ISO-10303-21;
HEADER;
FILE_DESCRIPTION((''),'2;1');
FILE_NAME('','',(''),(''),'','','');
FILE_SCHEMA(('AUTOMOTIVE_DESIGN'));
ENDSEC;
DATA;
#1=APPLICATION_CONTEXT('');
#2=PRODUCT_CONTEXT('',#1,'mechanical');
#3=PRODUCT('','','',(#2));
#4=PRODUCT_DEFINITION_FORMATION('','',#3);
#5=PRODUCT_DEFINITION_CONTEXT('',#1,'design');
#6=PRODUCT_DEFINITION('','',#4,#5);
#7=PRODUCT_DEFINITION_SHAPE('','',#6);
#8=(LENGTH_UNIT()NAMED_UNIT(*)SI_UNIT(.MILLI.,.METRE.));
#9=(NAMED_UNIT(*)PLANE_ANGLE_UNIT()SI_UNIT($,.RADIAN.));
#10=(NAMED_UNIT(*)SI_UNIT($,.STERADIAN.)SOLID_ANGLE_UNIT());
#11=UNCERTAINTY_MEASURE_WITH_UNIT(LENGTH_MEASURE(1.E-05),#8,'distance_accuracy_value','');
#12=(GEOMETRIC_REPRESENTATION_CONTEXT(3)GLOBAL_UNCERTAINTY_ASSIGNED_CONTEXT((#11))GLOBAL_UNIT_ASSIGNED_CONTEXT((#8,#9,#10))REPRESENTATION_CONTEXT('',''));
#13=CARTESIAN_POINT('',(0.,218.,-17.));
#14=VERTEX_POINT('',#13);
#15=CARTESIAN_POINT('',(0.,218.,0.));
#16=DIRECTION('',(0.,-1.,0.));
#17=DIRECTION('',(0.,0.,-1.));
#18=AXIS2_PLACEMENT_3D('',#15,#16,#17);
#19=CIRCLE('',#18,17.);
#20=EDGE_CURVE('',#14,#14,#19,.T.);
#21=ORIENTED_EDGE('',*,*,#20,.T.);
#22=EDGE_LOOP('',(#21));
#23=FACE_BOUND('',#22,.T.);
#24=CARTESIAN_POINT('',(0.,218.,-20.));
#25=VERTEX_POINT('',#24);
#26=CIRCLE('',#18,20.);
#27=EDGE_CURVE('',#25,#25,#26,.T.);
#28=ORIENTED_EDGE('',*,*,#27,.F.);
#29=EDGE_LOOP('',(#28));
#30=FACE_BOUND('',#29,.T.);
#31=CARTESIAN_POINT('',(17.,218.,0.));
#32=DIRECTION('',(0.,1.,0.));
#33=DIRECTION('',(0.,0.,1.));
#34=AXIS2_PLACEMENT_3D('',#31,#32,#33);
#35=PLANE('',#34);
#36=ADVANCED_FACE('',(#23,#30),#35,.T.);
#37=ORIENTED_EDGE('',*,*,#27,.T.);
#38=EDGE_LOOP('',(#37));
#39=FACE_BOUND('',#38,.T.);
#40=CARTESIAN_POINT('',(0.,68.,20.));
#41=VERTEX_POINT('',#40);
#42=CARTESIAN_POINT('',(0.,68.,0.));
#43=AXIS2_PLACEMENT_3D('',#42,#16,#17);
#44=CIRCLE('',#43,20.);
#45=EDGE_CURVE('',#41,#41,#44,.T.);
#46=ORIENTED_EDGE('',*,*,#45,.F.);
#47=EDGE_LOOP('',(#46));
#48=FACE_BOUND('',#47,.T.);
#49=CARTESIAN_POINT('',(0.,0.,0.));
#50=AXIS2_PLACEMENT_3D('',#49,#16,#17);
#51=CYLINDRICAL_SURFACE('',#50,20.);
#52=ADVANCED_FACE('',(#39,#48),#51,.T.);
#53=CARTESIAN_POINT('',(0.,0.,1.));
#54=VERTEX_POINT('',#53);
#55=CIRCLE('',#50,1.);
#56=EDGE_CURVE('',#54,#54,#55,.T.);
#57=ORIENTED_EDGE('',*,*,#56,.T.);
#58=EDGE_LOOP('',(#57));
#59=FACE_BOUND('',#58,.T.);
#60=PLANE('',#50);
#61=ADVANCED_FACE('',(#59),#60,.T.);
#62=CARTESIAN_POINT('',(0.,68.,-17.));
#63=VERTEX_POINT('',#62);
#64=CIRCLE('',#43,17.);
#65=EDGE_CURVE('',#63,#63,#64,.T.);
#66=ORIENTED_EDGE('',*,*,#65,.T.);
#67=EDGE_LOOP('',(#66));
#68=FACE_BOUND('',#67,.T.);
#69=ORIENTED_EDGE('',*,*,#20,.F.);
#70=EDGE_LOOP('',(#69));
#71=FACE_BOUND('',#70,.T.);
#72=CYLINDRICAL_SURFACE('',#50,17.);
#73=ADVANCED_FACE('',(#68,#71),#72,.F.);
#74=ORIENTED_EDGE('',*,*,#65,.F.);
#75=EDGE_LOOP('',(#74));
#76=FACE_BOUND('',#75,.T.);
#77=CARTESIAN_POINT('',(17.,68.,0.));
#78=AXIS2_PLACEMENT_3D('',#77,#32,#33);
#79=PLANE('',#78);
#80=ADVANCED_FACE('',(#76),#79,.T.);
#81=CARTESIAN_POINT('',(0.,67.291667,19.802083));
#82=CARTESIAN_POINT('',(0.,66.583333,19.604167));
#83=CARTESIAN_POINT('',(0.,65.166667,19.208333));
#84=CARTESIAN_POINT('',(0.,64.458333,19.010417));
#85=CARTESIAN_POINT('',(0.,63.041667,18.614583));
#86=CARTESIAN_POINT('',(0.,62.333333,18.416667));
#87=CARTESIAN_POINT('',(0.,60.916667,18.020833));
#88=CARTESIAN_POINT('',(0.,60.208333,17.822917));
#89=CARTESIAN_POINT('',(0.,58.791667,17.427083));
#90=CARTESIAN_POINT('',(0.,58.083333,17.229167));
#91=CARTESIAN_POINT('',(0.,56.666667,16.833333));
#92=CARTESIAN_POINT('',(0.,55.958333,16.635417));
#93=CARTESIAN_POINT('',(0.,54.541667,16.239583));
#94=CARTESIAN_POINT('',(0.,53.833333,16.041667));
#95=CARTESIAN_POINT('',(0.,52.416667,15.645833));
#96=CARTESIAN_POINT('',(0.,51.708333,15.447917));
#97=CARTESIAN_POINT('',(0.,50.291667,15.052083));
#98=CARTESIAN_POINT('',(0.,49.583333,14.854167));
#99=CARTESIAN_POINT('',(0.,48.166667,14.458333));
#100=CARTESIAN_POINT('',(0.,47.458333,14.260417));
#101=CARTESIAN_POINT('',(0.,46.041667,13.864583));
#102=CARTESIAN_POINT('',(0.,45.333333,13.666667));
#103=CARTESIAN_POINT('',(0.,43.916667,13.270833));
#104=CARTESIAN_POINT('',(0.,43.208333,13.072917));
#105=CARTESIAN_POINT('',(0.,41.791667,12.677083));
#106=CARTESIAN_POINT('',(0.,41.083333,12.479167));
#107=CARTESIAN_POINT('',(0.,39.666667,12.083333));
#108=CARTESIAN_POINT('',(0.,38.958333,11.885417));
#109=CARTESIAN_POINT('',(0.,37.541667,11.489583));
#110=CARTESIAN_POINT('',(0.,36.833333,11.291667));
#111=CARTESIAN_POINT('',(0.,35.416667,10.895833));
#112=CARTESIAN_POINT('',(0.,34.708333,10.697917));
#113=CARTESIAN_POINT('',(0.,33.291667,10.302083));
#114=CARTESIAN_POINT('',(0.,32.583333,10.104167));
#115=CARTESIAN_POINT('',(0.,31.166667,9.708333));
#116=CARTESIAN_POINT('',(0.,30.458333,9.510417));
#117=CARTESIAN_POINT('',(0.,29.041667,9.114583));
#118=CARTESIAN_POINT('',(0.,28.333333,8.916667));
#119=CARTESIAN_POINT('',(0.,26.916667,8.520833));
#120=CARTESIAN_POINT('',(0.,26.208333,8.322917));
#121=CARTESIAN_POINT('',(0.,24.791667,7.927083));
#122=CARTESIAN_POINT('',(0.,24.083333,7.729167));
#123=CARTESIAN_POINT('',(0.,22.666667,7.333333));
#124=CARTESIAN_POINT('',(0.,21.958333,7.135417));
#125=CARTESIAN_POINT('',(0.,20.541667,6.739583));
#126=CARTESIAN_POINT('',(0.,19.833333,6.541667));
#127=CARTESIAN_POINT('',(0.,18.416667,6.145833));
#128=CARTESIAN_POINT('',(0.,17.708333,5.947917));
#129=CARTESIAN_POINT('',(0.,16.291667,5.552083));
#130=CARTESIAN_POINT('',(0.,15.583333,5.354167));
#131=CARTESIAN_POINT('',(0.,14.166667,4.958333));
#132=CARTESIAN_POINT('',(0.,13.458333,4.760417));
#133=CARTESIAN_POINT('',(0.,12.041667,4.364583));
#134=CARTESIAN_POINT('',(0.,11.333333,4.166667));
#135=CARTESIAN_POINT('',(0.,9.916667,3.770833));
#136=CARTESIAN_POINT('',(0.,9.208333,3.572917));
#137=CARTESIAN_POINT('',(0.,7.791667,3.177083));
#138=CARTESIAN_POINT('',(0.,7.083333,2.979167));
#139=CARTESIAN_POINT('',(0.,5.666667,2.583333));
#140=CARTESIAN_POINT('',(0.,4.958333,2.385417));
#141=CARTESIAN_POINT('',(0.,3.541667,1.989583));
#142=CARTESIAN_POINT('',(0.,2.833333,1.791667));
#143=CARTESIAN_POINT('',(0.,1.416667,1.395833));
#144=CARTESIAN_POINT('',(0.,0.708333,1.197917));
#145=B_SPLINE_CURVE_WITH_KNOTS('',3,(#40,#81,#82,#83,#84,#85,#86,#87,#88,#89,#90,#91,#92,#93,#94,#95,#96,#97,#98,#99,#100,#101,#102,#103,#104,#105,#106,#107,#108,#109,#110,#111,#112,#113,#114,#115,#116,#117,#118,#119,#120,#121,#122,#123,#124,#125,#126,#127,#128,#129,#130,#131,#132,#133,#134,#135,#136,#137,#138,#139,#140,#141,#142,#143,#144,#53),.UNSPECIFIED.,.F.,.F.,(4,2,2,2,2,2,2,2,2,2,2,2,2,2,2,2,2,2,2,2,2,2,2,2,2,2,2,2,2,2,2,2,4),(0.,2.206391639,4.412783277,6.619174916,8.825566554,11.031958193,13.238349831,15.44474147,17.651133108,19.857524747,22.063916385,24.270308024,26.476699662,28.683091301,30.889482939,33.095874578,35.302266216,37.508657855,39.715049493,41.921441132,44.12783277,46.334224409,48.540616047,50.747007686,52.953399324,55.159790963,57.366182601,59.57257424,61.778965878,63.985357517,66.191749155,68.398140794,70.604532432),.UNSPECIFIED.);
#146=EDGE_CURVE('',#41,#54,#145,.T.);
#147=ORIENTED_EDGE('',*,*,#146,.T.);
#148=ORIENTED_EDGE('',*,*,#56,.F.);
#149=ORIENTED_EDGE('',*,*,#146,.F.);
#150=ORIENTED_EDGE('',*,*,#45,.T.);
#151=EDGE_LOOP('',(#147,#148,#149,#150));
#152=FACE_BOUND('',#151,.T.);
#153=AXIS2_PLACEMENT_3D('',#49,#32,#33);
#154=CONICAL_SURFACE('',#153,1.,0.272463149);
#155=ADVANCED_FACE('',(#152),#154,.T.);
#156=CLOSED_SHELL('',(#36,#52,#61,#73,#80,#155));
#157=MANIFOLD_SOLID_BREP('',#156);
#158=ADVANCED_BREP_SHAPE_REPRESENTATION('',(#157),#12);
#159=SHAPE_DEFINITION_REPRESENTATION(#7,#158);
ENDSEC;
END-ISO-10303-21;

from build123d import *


with BuildPart() as part:
    # Sketch3 → Revolve1 (revolve)
    with BuildSketch(Plane.XY, mode=Mode.PRIVATE) as revolve1_sk:
        Polygon((0, 0), (1, 0), (20, 68), (20, 218), (17, 218), (17, 68), (0, 68), align=None)
    revolve(revolve1_sk.sketch.rotate(Axis((0, 0, 0), (0, 1, 0)), 90), axis=Axis((0, 0, 0), (0, 1, 0)))


solid = part.part
